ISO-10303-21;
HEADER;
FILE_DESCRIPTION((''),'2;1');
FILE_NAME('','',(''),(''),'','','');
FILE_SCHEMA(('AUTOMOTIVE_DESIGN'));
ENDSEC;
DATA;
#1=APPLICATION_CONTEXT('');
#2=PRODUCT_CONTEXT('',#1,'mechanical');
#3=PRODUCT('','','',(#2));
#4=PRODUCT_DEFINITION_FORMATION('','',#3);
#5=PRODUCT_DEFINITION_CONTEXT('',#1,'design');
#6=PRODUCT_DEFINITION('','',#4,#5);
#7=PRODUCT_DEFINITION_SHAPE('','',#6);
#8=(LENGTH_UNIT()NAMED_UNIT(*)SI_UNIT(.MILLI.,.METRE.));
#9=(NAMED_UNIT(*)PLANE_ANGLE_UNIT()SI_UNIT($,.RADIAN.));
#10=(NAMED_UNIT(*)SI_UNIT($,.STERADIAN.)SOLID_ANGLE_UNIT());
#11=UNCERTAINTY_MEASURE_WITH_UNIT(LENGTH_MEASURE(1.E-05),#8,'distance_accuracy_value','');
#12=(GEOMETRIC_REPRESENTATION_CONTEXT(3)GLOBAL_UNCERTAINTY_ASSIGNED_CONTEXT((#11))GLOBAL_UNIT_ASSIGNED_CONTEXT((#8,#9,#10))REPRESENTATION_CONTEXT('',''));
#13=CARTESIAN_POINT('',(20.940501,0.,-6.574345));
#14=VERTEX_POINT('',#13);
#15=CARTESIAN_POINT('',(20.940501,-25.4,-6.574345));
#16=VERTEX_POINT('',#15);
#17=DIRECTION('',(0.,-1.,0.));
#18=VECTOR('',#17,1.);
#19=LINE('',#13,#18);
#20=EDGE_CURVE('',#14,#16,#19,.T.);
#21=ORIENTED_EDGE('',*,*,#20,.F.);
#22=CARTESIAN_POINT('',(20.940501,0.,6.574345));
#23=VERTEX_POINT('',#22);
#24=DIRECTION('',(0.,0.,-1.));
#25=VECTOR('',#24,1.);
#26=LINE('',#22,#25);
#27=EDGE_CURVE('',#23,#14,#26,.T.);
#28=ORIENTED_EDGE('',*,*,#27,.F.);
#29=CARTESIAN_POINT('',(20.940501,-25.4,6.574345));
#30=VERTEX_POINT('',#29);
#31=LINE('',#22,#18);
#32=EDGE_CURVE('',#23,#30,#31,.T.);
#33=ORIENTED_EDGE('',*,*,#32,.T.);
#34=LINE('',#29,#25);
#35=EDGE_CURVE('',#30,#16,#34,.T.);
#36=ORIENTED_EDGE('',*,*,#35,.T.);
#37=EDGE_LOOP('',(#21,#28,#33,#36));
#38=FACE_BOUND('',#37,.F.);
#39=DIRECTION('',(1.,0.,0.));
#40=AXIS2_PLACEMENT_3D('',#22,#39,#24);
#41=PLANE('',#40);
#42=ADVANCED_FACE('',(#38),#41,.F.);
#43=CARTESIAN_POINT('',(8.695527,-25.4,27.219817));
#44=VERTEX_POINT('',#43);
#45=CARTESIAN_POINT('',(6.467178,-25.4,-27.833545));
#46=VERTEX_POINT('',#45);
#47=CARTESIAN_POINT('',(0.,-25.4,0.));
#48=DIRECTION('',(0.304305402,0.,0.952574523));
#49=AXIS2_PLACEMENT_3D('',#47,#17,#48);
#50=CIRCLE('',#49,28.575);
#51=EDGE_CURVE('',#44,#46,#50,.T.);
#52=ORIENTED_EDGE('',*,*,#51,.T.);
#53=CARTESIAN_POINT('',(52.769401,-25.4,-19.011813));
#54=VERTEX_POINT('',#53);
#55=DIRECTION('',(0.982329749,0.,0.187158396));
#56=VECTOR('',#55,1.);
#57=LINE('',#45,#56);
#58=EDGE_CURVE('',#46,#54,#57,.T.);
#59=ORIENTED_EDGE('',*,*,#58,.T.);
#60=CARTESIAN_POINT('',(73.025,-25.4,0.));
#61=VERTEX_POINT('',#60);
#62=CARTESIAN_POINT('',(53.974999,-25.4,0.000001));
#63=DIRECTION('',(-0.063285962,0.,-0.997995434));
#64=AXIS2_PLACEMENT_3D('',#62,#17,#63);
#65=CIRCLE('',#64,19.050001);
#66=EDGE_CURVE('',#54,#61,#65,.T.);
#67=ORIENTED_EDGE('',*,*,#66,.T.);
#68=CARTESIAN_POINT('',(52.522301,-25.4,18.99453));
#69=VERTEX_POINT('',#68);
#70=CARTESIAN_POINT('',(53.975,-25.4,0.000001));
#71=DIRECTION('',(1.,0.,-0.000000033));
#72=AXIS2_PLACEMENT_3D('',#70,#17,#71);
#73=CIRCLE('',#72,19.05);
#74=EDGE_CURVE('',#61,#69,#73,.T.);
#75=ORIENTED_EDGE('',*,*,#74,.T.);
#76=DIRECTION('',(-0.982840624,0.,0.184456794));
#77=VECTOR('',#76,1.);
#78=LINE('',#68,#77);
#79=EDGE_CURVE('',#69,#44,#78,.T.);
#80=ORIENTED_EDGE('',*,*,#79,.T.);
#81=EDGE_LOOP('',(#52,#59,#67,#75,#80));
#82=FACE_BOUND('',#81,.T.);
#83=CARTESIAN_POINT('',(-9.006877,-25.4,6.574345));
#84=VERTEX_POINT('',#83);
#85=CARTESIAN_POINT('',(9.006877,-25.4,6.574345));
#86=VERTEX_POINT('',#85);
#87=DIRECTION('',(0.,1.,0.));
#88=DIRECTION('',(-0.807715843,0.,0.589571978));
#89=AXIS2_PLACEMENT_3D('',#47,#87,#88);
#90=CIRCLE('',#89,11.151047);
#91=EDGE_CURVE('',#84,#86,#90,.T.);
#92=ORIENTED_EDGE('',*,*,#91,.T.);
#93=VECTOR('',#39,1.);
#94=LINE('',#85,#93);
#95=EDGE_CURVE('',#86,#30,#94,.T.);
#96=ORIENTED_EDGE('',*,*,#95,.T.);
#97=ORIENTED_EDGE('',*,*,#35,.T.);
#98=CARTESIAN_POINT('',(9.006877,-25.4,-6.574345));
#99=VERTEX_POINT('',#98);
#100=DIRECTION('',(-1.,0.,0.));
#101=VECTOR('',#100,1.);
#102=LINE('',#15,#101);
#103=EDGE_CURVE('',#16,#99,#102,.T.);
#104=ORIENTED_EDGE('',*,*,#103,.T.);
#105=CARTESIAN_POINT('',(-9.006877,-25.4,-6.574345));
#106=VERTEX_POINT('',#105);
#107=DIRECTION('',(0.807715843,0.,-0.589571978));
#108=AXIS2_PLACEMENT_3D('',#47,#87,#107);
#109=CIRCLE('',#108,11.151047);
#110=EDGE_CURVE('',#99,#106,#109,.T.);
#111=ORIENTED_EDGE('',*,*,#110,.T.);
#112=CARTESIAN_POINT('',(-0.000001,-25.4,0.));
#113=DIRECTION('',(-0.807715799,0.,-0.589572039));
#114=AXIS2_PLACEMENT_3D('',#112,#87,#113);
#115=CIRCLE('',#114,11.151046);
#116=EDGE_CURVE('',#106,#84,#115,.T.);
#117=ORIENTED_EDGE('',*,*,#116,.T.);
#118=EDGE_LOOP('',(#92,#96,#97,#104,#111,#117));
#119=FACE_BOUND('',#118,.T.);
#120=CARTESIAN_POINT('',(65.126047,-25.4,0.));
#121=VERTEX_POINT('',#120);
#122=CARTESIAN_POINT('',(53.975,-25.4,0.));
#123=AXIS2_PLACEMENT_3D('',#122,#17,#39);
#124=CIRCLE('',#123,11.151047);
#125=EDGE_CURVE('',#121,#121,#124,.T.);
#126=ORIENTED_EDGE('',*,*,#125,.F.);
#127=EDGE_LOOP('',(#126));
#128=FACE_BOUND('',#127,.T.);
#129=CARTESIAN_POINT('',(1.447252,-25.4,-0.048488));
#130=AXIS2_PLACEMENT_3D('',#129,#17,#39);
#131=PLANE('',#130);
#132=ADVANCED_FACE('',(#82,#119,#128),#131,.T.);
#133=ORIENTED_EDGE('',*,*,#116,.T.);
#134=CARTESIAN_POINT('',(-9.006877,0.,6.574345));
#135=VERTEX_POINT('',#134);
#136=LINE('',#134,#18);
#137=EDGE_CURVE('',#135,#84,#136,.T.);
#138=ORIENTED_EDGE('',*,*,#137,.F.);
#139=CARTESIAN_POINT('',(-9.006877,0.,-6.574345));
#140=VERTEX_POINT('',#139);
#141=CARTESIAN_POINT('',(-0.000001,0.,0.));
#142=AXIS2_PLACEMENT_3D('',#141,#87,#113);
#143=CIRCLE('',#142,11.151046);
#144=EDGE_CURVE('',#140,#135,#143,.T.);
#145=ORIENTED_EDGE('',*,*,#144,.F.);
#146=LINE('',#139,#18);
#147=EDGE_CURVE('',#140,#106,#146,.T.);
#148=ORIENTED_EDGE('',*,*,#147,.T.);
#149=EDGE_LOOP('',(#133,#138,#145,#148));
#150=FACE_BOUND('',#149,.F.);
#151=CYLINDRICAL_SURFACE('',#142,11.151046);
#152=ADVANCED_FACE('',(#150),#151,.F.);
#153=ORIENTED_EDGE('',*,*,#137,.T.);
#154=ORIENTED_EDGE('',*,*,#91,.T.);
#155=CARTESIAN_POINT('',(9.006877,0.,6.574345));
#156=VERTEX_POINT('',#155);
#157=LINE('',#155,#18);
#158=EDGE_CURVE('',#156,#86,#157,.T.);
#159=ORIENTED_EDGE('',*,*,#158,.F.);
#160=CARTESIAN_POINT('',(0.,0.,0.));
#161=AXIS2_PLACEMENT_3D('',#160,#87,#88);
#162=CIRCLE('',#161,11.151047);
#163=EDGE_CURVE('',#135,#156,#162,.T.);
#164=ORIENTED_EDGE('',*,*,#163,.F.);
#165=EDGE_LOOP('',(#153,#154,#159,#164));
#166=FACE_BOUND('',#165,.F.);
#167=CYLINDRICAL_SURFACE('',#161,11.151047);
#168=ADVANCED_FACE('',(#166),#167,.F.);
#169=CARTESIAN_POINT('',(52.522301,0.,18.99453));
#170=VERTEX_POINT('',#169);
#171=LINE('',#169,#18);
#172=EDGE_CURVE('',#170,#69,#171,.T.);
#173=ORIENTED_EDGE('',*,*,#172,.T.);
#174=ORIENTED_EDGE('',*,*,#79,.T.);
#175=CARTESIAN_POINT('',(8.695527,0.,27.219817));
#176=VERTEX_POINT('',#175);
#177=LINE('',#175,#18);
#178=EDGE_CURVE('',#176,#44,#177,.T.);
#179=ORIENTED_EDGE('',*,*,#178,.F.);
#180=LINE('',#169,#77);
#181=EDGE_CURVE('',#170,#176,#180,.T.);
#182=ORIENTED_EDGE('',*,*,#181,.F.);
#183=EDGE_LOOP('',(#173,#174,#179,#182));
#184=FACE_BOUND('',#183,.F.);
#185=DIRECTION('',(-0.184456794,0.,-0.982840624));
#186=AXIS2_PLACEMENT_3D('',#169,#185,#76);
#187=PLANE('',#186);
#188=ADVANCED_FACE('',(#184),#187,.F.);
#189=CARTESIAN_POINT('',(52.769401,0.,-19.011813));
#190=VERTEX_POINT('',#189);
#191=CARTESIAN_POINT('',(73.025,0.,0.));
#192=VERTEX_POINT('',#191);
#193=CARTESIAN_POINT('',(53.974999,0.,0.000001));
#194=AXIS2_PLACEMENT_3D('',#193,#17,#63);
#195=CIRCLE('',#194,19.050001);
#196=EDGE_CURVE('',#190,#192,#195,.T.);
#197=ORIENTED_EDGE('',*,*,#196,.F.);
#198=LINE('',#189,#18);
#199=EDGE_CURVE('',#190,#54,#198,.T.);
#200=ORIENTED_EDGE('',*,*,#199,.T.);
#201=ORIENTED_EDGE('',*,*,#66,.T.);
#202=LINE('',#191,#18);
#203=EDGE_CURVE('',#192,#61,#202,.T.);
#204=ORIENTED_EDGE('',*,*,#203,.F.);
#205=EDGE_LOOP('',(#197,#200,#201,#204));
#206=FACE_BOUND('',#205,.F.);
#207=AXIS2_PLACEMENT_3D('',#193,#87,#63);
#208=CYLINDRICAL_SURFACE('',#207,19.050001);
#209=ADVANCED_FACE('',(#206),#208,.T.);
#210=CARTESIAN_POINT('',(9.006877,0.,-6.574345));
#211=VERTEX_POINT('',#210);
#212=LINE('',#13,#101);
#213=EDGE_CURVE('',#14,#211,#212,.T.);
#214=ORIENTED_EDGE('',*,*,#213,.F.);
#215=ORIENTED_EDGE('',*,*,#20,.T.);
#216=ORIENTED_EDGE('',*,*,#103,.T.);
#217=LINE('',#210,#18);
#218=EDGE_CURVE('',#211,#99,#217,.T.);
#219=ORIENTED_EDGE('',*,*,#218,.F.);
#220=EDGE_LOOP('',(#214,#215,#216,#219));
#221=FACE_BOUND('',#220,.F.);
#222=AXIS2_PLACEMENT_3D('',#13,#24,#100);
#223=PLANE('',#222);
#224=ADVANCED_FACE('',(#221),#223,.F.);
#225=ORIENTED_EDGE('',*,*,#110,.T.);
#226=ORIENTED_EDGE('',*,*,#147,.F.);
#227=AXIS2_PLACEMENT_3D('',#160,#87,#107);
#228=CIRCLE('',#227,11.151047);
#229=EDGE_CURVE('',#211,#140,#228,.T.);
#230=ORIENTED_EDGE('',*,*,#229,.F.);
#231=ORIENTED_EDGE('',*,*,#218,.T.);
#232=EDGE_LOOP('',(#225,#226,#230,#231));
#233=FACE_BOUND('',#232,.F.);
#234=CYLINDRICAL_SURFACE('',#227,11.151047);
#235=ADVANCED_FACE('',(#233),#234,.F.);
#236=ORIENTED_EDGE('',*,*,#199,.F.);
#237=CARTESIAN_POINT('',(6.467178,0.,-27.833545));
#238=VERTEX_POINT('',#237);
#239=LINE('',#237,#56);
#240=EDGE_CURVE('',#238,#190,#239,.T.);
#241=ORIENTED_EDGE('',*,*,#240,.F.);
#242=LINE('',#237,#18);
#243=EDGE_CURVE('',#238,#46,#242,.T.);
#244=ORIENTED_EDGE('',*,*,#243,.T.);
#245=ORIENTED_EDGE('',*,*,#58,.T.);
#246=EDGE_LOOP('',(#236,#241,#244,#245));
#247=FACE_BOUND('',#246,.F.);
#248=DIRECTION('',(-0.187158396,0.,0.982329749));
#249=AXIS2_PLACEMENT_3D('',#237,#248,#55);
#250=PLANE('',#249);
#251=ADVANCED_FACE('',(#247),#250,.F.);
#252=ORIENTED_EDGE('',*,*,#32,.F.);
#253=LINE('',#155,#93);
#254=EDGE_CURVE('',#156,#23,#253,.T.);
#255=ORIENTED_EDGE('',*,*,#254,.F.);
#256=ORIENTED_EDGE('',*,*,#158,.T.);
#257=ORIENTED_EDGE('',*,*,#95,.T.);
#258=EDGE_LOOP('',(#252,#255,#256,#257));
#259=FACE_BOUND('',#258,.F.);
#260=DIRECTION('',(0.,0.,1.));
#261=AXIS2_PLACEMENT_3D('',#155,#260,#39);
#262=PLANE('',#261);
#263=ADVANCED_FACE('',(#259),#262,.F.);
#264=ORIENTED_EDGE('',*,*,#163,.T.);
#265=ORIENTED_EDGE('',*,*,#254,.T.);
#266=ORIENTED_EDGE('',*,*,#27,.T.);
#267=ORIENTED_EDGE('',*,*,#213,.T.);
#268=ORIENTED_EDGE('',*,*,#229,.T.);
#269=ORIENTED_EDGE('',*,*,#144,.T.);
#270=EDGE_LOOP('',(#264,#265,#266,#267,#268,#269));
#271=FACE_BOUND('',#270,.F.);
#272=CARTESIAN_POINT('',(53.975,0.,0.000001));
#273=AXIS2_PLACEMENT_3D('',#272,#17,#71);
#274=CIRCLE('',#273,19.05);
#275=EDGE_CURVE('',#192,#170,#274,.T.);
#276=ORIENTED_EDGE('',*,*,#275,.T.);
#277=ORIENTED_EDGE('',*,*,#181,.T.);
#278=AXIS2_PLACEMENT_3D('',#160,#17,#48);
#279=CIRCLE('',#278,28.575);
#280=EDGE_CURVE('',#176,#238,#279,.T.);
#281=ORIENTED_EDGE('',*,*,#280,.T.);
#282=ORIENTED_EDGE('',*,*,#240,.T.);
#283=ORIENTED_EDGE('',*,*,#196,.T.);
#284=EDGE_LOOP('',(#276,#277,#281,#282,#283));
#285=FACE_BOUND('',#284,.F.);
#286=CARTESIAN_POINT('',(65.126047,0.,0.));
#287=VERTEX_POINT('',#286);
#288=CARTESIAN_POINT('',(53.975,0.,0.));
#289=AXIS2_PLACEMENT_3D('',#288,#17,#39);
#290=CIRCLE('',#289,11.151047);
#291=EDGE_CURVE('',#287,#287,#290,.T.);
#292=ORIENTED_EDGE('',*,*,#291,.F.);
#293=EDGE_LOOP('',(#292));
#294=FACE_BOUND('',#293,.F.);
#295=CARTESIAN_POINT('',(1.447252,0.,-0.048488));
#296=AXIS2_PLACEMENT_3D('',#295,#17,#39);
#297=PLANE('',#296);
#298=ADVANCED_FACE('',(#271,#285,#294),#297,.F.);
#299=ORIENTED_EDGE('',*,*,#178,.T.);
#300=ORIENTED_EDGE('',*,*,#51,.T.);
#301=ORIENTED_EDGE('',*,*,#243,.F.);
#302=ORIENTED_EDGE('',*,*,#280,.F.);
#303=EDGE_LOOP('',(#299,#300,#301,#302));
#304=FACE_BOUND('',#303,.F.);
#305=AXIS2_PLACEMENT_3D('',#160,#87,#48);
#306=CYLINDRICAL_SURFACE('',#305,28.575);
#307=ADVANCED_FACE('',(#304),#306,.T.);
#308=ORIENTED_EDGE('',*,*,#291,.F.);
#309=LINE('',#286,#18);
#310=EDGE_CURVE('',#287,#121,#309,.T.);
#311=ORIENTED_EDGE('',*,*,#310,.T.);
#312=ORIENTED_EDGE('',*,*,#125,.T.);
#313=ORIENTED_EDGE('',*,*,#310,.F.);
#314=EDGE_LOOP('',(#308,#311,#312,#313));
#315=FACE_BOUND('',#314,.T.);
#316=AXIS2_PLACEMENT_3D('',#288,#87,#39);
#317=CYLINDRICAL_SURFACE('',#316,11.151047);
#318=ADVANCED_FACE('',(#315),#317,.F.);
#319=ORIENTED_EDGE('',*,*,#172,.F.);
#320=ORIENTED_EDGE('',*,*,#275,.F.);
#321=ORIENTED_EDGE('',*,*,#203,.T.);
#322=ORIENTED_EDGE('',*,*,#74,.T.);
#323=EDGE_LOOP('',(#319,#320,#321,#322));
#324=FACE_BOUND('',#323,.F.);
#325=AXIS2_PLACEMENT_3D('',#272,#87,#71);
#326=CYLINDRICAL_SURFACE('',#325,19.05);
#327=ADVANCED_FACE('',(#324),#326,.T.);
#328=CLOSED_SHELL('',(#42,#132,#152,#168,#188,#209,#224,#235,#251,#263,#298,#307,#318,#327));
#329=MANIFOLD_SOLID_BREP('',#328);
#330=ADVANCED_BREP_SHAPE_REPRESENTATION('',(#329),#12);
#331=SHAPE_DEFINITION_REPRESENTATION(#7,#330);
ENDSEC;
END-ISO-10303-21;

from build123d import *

# Parameters (mm, degrees)
F0_R     = 11.151047
F1_DEPTH = 25.4


with BuildPart() as f1:
    # F0 (on Front) → F1 (new body)
    with BuildSketch(Plane.XZ):
        with BuildLine():
            ThreePointArc((6.467178, -27.833545), (22.375547, -17.772605), (28.575, 0))
            ThreePointArc((28.575, 0), (23.076019, 16.853129), (8.695527, 27.219817))
            ThreePointArc((8.695527, 27.219817), (-28.551621, 1.15566), (6.467178, -27.833545))
        make_face()
        with BuildLine():
            ThreePointArc((-9.006877, 6.574345), (0, 11.151047), (9.006877, 6.574345))
            Line((9.006877, 6.574345), (20.940501, 6.574345))
            Line((20.940501, 6.574345), (20.940501, -6.574345))
            Line((20.940501, -6.574345), (9.006877, -6.574345))
            ThreePointArc((9.006877, -6.574345), (0, -11.151047), (-9.006877, -6.574345))
            Line((-9.006877, -6.574345), (-20.940501, -6.574345))
            Line((-20.940501, -6.574345), (-20.940501, 6.574345))
            Line((-20.940501, 6.574345), (-9.006877, 6.574345))
        make_face(mode=Mode.SUBTRACT)
        with BuildLine():
            ThreePointArc((-9.006877, -6.574345), (-11.151047, 0), (-9.006877, 6.574345))
            Line((-9.006877, 6.574345), (-20.940501, 6.574345))
            Line((-20.940501, 6.574345), (-20.940501, -6.574345))
            Line((-20.940501, -6.574345), (-9.006877, -6.574345))
        make_face()
        with BuildLine():
            ThreePointArc((8.695527, 27.219817), (23.076019, 16.853129), (28.575, 0))
            ThreePointArc((28.575, 0), (22.375547, -17.772605), (6.467178, -27.833545))
            Line((6.467178, -27.833545), (52.769401, -19.011813))
            ThreePointArc((52.769401, -19.011813), (34.925403, -0.123852), (52.522301, 18.99453))
            Line((52.522301, 18.99453), (8.695527, 27.219817))
        make_face()
        with BuildLine():
            ThreePointArc((73.025, 0), (66.921594, 13.974556), (52.522301, 18.99453))
            ThreePointArc((52.522301, 18.99453), (34.925403, -0.123852), (52.769401, -19.011813))
            ThreePointArc((52.769401, -19.011813), (67.012174, -13.890089), (73.025, 0))
        make_face()
        with Locations((53.975, 0)):
            Circle(F0_R, mode=Mode.SUBTRACT)
    extrude(amount=F1_DEPTH)


solid = f1.part
